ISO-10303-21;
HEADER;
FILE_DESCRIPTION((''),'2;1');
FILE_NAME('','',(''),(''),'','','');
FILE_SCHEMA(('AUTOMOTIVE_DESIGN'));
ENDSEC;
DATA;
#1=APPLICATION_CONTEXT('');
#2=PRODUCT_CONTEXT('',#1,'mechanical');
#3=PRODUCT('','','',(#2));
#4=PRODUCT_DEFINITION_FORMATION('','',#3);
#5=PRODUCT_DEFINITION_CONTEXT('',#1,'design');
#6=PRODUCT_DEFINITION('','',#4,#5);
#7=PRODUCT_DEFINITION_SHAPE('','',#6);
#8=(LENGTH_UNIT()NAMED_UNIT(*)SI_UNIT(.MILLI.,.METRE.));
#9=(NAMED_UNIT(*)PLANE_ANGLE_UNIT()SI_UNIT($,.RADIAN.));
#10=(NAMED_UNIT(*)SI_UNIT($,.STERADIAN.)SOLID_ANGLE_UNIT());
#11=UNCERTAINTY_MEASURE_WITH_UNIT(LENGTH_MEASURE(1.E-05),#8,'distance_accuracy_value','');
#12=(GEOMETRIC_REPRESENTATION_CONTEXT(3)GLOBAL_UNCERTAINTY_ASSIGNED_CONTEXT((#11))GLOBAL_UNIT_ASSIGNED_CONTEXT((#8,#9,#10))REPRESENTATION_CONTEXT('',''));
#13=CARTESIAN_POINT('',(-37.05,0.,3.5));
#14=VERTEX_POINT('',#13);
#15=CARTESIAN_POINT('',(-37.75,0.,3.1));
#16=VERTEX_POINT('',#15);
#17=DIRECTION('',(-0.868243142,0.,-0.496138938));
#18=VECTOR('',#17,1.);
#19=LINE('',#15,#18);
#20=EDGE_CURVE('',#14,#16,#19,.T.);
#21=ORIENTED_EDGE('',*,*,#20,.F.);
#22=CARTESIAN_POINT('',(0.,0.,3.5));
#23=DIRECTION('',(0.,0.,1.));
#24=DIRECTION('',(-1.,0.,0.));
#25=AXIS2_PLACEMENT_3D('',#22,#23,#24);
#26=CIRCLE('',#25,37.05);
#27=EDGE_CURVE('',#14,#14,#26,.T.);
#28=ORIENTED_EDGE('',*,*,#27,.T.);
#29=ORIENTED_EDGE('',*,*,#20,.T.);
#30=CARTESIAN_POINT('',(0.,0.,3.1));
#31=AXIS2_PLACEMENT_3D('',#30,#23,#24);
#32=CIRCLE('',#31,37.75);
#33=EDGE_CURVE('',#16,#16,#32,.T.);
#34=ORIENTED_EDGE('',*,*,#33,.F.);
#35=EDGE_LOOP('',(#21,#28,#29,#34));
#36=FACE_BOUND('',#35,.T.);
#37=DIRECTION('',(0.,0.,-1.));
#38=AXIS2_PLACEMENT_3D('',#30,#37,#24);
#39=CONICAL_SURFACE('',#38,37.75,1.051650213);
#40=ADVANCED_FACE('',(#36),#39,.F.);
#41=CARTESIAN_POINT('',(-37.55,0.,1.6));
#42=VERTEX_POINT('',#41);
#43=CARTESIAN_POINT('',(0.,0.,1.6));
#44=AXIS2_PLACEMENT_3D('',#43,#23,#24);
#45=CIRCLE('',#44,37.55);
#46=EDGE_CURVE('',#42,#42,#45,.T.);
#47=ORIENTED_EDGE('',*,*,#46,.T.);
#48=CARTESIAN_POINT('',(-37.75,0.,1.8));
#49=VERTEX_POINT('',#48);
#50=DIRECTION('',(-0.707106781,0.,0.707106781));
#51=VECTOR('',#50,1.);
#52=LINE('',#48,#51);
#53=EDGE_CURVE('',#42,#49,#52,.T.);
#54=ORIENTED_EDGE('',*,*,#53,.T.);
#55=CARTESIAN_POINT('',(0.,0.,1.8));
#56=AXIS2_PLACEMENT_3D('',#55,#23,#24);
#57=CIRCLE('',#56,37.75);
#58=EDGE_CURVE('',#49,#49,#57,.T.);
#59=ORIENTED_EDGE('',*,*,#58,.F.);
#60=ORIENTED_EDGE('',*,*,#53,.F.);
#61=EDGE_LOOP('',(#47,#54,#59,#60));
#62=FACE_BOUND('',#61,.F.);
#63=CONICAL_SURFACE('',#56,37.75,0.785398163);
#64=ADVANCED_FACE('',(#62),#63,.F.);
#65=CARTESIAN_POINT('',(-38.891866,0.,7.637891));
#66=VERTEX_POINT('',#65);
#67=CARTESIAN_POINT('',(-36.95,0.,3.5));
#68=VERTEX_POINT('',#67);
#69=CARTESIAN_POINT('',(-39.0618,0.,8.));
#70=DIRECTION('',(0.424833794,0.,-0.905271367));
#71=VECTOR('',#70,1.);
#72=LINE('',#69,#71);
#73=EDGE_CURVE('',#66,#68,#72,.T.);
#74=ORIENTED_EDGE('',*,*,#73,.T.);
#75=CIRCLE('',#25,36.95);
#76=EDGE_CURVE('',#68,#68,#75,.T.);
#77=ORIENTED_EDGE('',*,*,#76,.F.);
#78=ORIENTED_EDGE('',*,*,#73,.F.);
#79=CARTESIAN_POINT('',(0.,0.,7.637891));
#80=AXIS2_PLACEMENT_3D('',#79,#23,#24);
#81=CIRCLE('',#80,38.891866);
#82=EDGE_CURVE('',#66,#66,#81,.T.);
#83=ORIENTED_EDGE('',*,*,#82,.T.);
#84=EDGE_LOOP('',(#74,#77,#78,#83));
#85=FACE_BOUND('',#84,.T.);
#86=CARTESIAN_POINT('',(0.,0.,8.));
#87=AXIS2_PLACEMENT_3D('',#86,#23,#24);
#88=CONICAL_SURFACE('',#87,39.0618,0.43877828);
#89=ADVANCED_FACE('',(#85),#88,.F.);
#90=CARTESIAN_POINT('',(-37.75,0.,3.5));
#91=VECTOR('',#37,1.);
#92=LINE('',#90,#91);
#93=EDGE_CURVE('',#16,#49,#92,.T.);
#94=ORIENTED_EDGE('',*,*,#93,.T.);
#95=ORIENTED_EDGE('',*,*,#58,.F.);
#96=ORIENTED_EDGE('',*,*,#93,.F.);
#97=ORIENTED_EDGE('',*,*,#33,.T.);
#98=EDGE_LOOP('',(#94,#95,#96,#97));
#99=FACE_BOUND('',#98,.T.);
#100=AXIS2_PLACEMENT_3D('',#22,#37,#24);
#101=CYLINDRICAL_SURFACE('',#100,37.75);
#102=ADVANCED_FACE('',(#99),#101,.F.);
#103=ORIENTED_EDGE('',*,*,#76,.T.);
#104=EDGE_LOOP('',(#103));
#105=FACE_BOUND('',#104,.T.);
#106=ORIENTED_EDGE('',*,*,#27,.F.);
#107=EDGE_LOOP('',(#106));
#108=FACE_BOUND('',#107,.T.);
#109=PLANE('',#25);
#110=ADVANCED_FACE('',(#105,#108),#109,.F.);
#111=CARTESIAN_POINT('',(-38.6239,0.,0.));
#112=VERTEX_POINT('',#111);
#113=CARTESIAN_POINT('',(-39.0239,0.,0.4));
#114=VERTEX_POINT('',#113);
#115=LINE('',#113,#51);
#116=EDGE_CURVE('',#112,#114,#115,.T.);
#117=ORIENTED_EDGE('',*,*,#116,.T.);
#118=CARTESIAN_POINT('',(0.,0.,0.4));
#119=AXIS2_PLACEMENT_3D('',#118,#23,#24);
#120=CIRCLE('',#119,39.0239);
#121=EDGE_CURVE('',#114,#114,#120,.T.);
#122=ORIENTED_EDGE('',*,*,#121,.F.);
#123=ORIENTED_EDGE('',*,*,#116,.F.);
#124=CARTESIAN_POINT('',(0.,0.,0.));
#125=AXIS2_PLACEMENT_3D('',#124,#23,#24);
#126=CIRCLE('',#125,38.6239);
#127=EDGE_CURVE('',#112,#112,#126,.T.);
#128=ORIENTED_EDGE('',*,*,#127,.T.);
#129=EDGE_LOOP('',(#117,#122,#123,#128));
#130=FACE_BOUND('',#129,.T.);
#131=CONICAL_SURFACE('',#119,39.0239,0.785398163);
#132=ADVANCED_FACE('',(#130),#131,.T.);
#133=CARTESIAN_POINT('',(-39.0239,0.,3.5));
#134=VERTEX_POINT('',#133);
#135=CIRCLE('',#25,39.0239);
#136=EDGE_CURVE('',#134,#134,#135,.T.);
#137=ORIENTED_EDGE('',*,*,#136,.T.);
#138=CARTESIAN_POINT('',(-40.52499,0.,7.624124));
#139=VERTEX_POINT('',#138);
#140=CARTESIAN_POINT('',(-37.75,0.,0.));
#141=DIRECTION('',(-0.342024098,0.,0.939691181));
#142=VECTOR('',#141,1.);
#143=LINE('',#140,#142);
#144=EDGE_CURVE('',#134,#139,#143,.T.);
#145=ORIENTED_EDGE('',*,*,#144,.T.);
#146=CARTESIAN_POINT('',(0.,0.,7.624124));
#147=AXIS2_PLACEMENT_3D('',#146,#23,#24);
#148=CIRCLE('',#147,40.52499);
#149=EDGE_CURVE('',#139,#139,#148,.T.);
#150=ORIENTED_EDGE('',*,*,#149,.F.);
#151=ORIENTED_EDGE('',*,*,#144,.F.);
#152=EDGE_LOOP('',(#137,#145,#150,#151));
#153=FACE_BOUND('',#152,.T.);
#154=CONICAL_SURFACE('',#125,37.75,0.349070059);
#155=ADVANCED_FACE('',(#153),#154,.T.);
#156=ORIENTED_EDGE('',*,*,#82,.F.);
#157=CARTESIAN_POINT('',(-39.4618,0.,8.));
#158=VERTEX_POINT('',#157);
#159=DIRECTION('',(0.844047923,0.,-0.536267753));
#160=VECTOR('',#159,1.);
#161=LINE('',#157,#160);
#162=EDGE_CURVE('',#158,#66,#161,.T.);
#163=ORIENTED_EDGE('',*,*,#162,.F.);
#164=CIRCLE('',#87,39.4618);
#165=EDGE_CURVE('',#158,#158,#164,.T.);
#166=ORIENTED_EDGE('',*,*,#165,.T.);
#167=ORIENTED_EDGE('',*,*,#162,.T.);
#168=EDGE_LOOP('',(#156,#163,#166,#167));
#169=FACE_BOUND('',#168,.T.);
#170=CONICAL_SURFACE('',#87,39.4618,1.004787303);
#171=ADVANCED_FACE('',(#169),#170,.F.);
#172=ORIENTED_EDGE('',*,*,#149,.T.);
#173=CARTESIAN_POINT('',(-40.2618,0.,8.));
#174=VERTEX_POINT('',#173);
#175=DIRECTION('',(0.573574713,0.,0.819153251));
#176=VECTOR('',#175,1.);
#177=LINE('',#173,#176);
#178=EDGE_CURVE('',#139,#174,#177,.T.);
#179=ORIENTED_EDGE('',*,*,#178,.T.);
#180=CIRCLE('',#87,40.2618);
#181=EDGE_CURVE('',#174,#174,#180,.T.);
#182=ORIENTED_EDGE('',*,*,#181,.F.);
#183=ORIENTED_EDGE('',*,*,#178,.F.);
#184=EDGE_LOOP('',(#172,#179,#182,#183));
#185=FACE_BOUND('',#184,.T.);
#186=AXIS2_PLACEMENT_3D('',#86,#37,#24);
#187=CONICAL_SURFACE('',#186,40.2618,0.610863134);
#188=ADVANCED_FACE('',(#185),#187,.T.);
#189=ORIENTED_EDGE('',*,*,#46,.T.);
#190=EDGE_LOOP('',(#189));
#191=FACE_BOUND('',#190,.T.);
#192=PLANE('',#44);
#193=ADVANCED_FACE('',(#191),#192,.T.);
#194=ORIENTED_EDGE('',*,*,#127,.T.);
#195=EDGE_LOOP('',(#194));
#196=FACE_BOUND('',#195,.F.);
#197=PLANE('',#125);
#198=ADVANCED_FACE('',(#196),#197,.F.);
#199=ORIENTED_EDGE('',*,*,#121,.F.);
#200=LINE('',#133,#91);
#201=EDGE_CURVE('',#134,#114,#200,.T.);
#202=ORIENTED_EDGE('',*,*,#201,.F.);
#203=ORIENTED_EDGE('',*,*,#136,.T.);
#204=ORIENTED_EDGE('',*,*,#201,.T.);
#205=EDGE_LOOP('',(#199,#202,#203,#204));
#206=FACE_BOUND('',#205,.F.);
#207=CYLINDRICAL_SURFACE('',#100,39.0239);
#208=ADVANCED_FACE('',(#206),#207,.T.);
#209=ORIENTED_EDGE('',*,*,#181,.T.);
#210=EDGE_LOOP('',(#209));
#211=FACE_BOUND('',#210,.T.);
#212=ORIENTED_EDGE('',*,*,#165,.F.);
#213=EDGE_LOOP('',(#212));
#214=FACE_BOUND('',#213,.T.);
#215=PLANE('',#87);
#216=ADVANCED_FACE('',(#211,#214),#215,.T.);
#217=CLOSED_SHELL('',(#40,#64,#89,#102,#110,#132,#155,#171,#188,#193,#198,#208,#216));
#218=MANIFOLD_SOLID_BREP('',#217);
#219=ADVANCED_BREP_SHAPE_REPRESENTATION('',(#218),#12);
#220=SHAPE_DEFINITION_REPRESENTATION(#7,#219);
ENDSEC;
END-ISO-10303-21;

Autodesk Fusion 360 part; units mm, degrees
sketch "Sketch1" plane through (0, 0, 0) normal (0, 1, 0) x (1, 0, 0)
  line L0 (0, 0) -> (-37.75, 0)
  line L1 (-37.75, 0) -> (-40.6618, -8)
  line L2 (-40.6618, -8) -> (-39.0618, -8)
  line L3 (-39.0618, -8) -> (-36.95, -3.5)
  line L4 (-36.95, -3.5) -> (-37.75, -3.5)
  line L5 (-37.75, -3.5) -> (-37.75, -1.6)
  line L6 (-37.75, -1.6) -> (0, -1.6)
  line L7 (0, -1.6) -> (0, 0)
  line L8 (0, -1.6) -> (0, -8)
  line L9 (-39.0239, -3.5) -> (-39.0239, 0)
  line L10 (-39.0239, 0) -> (-37.75, 0)
  dimension "d1" = 75.5
  dimension "d2" = 1.6
  dimension "d3" = 0.8
  dimension "d4" = 1.9
  dimension "d5" = 8
  dimension "d6" = 1.6
  dimension "d7" = 110
  dimension "d9" = 75.5
revolve "Revolve1" add sketch "Sketch1" angle 360 about axis through (0, 0, 1.6) along (0, 0, 1)
chamfer "Chamfer1" distance 0.2 angle 45 1 edges at (-35.1954, 13.651, 1.6)
chamfer "Chamfer2" distance 0.7 distance2 0.4 1 edges at (-35.1954, 13.651, 3.5) measured on face at (11.897, 35.4466, 3.5)
chamfer "Chamfer3" distance 0.4 distance2 0.4 2 edges at (-36.4183, 14.1253, 8) (-37.9101, 14.7039, 8) measured on face at (-39.8316, 3.9607, 8) measured on face at (-39.9165, 3.9942, 6.5)
chamfer "Chamfer4" distance 0.4 distance2 0.4 1 edges at (-36.383, 14.1116, 0) measured on face at (0.5395, 14.867, 0)
equation "d1 = d"
equation "d2 = t"
equation "d3 = x"
equation "d4 = h"
equation "d5 = height"
equation "d6 = t"
equation "d9 = d"
equation "d = 75.5 mm" comment "Průměr víčka"
equation "h = 1.9 mm" comment "Tloušťka víčka"
equation "t = 1.6 mm" comment "Tloušťka stěny"
equation "x = 0.8 mm" comment "Šířka ozubu"
equation "height = 8 mm" comment "Celková výška víčka"
